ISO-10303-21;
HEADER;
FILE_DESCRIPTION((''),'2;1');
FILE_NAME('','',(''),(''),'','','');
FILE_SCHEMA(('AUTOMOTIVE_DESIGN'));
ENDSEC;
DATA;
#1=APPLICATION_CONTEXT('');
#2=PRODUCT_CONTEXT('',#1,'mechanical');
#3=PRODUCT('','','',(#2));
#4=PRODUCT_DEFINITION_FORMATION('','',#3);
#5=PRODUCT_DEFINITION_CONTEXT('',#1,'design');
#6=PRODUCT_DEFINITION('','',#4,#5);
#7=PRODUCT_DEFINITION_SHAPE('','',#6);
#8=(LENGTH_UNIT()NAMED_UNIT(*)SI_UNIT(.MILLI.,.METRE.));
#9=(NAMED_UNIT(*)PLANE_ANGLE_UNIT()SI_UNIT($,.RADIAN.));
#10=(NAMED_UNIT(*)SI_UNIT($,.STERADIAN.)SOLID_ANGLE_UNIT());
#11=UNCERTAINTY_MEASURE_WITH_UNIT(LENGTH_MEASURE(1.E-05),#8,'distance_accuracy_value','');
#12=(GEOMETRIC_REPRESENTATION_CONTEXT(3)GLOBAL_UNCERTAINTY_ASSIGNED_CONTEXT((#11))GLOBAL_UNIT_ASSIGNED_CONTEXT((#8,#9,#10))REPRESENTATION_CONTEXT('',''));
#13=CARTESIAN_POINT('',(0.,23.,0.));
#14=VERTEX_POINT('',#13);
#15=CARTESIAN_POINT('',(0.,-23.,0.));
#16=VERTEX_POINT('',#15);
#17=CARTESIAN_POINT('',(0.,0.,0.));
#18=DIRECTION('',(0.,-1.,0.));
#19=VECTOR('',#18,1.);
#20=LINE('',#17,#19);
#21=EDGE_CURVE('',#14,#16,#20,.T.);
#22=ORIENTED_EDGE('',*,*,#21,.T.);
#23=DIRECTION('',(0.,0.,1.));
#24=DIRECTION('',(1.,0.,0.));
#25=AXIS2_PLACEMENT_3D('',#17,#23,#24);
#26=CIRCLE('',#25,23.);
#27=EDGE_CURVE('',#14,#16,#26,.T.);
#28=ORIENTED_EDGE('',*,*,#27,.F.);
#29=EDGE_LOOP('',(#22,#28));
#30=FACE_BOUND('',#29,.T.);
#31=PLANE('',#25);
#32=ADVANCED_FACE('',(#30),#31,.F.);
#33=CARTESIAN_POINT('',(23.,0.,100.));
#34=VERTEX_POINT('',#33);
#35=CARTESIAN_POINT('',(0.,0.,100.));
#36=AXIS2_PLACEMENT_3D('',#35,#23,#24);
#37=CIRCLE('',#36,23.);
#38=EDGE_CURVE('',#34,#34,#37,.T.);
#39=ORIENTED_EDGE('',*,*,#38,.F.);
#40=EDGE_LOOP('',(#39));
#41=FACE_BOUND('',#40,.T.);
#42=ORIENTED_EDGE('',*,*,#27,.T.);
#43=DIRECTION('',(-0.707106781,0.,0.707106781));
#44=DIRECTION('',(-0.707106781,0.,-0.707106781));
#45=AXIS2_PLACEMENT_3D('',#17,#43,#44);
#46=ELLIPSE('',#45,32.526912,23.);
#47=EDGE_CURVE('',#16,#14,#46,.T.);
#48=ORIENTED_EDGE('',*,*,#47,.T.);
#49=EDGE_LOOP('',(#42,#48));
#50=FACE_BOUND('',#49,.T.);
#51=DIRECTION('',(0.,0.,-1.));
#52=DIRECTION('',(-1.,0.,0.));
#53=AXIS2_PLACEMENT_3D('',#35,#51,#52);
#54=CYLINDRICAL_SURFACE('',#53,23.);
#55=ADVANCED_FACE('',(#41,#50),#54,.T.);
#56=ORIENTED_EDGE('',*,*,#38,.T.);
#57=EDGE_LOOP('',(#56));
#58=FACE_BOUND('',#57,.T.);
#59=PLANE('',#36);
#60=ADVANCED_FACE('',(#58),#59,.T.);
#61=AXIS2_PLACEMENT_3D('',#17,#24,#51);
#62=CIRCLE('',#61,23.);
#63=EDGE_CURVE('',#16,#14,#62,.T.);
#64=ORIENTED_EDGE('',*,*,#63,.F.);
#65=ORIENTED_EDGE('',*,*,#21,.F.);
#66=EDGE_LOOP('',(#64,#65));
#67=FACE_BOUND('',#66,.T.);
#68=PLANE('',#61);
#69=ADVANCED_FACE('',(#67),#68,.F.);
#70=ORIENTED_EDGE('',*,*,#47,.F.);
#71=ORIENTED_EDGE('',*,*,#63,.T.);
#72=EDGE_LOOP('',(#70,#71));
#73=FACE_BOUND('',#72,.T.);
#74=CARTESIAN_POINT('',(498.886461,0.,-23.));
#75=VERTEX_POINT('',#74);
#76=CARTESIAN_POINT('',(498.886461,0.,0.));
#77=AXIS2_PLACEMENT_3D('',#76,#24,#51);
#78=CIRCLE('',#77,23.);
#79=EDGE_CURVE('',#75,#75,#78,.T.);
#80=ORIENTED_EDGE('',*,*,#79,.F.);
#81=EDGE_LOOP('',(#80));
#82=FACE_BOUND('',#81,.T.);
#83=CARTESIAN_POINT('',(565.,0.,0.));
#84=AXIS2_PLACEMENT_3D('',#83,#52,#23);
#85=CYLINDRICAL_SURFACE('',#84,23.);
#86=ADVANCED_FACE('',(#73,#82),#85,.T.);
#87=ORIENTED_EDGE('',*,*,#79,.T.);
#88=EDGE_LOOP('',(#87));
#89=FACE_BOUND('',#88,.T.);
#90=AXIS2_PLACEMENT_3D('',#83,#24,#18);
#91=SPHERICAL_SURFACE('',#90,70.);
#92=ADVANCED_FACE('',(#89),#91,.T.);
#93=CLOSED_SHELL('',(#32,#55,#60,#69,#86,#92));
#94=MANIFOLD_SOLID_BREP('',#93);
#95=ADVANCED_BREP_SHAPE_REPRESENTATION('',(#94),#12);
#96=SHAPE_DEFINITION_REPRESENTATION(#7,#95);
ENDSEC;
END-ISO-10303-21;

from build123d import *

# Parameters (mm, degrees)
SKETCH1_R       = 23
LENGTH_DEPTH    = 565
SKETCH2_R       = 23
HIP_JOINT_DEPTH = 100


with BuildPart() as part:
    # Sketch1 → Length (new body)
    with BuildSketch(Plane(origin=(0, 0, 0), x_dir=(0, 0, -1), z_dir=(1, 0, 0))):
        Circle(SKETCH1_R)
    extrude(amount=LENGTH_DEPTH)

    # Sketch2 → Hip joint (add)
    with BuildSketch(Plane.XY):
        with Locations(Location((0, 0, 0), (0, 0, 270))):
            Circle(SKETCH2_R)
    extrude(amount=HIP_JOINT_DEPTH)

    # Sketch10 → Revolve23 (revolve)
    with BuildSketch(Plane.XY):
        with BuildLine():
            Line((495, 0), (635, 0))
            ThreePointArc((635, 0), (565, -70), (495, 0))
        make_face()
    revolve(axis=Axis((565, 0, 0), (-1, 0, 0)))


solid = part.part
